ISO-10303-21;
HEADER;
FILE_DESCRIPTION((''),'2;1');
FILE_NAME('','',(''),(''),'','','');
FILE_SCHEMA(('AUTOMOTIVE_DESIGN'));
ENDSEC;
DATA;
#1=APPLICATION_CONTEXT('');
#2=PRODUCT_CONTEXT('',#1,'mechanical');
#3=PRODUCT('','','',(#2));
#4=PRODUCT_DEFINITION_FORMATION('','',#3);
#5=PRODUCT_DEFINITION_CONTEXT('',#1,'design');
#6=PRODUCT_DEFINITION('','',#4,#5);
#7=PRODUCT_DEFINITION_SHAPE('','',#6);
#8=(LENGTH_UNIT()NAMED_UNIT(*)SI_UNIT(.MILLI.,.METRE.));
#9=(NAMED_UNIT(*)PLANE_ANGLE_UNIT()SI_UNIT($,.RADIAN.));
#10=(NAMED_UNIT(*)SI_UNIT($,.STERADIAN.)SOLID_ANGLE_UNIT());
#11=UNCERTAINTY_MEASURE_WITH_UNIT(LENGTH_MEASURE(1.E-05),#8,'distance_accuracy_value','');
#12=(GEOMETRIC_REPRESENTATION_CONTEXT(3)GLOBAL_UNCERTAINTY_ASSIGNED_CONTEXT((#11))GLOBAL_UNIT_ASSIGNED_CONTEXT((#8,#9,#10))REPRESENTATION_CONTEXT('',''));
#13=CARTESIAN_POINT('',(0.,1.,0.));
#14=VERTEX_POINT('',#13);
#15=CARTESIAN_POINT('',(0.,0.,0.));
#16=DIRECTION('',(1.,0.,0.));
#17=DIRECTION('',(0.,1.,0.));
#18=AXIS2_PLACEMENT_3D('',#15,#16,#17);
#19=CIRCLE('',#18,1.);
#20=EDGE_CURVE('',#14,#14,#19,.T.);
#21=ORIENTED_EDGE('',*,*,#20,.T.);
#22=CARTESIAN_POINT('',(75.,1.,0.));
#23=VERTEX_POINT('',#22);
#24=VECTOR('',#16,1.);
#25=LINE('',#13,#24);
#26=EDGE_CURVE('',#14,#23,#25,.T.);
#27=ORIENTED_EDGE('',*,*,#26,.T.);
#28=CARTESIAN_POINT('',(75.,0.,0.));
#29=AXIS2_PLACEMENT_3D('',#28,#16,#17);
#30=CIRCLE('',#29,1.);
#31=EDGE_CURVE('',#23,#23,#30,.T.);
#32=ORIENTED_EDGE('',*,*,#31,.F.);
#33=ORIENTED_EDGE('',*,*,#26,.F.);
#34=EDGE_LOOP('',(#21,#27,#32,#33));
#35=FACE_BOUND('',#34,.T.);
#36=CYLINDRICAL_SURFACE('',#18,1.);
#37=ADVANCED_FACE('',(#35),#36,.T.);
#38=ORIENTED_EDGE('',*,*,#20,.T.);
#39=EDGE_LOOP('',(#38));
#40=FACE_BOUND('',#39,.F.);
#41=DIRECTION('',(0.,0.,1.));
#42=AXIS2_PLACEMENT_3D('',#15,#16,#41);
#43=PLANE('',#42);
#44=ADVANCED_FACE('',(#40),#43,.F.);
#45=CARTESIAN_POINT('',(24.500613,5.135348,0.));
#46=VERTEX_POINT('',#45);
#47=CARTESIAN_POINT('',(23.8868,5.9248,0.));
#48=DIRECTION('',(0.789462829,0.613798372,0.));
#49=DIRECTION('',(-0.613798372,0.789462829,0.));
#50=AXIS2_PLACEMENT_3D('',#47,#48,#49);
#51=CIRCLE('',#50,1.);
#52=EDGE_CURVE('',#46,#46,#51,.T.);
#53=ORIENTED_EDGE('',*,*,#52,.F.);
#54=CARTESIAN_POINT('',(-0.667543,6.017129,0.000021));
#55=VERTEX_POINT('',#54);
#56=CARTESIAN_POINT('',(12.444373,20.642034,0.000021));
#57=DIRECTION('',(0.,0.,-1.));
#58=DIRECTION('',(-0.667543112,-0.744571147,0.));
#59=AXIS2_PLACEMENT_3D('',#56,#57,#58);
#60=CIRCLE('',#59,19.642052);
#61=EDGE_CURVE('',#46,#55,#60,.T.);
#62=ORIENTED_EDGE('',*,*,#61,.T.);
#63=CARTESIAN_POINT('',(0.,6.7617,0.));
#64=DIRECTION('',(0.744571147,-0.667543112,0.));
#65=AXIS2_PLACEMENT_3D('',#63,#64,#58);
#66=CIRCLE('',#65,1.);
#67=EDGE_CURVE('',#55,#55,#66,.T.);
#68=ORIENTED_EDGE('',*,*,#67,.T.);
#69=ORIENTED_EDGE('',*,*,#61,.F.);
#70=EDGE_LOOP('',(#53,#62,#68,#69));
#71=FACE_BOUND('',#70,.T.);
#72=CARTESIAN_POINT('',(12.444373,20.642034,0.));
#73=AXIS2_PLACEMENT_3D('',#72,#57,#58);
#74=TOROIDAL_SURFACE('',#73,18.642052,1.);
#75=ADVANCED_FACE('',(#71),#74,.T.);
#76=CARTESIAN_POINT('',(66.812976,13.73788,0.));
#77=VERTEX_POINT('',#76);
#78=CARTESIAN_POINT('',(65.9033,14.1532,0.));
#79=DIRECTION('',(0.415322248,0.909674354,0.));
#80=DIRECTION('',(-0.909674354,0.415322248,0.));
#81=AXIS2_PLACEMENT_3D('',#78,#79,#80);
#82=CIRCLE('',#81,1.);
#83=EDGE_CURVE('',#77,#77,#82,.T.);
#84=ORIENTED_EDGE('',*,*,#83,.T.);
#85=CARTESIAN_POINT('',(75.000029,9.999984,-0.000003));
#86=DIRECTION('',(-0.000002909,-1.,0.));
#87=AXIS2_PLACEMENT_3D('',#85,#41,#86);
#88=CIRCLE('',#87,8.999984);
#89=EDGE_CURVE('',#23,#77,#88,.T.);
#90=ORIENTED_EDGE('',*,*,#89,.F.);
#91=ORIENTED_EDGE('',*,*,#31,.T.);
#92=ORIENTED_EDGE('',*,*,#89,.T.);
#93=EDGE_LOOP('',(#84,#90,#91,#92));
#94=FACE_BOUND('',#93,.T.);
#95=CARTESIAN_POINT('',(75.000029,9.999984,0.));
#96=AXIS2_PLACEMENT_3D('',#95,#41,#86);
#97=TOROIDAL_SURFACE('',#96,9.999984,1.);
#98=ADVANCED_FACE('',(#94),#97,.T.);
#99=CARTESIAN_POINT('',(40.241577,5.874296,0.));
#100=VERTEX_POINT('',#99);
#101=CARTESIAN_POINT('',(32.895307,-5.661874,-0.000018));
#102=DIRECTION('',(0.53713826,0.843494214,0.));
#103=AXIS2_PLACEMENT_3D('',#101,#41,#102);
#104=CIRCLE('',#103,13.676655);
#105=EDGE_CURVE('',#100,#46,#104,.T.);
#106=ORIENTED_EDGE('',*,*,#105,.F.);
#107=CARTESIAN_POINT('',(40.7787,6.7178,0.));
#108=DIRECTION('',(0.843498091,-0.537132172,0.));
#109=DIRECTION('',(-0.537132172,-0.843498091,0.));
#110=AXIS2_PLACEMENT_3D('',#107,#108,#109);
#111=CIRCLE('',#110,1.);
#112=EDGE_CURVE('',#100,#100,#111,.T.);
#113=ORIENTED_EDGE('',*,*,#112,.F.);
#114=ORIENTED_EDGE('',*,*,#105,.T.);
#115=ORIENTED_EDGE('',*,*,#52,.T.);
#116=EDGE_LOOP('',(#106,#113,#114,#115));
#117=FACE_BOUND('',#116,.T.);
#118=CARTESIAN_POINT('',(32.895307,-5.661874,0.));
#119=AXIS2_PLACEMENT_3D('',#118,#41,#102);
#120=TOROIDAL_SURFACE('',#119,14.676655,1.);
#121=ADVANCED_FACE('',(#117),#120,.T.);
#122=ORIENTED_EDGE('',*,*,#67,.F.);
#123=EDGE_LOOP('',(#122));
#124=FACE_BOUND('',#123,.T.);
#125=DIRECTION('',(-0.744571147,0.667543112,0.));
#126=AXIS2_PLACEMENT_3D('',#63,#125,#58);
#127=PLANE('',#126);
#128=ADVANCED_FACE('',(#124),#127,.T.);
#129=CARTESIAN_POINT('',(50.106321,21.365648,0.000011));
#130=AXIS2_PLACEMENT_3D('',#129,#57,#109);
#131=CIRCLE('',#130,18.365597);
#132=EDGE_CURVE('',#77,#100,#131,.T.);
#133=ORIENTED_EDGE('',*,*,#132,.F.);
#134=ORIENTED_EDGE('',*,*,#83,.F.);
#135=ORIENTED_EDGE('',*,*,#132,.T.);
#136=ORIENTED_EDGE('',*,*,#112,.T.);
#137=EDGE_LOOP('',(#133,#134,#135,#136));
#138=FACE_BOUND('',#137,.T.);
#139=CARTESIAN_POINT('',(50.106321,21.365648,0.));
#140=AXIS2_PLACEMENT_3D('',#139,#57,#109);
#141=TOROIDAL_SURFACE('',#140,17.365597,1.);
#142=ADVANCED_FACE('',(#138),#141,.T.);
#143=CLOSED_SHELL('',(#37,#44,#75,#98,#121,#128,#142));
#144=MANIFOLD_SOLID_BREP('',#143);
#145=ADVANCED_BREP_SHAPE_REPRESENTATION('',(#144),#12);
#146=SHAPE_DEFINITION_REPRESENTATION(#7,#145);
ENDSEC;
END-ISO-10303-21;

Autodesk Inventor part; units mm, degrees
ref_plane "YZ Plane" through (0, 0, 0) normal (1, 0, 0) x (0, 1, 0)
ref_plane "XZ Plane" through (0, 0, 0) normal (0, 1, 0) x (-1, 0, 0)
ref_plane "XY Plane" through (0, 0, 0) normal (0, 0, 1) x (1, 0, 0)
sketch "Sketch2" plane through (0, 0, 0) normal (0, 0, 1) x (1, 0, 0)
  line L0 (0, 0) -> (75, 0)
  line L1 (149.34, 2.2079) -> (149.4607, 2.2871)
  line L2 (0, 0) -> (0, 4) construction
  arc A0 (75, 0) -> (65.9033, 14.1532) centre (75, 10) ccw
  arc A1 (40.7787, 6.7178) -> (65.9033, 14.1532) centre (50.1063, 21.3655) ccw
  arc A2 (40.7787, 6.7178) -> (23.8868, 5.9248) centre (32.8953, -5.6619) ccw
  arc A3 (0, 6.7617) -> (23.8868, 5.9248) centre (12.4444, 20.6421) ccw
  line L3 (0, 2) -> (24, 2) construction
  line L4 (30, 4) -> (65.9889, 4) construction
  dimension "d3" = 90
  dimension "d4" = 75
  dimension "d6" = 2
  dimension "d9" = 10
  dimension "d10" = 4
sketch "Sketch3" plane through (0, 0, 0) normal (1, 0, 0) x (0, 1, 0)
  circle A0 centre (0, 0) radius 1
  dimension "d2" = 2
sweep "Sweep1" add profiles "Sketch3" path "Sketch2" path curves L0 A0 A1 A2 A3
properties part number "Pin"
